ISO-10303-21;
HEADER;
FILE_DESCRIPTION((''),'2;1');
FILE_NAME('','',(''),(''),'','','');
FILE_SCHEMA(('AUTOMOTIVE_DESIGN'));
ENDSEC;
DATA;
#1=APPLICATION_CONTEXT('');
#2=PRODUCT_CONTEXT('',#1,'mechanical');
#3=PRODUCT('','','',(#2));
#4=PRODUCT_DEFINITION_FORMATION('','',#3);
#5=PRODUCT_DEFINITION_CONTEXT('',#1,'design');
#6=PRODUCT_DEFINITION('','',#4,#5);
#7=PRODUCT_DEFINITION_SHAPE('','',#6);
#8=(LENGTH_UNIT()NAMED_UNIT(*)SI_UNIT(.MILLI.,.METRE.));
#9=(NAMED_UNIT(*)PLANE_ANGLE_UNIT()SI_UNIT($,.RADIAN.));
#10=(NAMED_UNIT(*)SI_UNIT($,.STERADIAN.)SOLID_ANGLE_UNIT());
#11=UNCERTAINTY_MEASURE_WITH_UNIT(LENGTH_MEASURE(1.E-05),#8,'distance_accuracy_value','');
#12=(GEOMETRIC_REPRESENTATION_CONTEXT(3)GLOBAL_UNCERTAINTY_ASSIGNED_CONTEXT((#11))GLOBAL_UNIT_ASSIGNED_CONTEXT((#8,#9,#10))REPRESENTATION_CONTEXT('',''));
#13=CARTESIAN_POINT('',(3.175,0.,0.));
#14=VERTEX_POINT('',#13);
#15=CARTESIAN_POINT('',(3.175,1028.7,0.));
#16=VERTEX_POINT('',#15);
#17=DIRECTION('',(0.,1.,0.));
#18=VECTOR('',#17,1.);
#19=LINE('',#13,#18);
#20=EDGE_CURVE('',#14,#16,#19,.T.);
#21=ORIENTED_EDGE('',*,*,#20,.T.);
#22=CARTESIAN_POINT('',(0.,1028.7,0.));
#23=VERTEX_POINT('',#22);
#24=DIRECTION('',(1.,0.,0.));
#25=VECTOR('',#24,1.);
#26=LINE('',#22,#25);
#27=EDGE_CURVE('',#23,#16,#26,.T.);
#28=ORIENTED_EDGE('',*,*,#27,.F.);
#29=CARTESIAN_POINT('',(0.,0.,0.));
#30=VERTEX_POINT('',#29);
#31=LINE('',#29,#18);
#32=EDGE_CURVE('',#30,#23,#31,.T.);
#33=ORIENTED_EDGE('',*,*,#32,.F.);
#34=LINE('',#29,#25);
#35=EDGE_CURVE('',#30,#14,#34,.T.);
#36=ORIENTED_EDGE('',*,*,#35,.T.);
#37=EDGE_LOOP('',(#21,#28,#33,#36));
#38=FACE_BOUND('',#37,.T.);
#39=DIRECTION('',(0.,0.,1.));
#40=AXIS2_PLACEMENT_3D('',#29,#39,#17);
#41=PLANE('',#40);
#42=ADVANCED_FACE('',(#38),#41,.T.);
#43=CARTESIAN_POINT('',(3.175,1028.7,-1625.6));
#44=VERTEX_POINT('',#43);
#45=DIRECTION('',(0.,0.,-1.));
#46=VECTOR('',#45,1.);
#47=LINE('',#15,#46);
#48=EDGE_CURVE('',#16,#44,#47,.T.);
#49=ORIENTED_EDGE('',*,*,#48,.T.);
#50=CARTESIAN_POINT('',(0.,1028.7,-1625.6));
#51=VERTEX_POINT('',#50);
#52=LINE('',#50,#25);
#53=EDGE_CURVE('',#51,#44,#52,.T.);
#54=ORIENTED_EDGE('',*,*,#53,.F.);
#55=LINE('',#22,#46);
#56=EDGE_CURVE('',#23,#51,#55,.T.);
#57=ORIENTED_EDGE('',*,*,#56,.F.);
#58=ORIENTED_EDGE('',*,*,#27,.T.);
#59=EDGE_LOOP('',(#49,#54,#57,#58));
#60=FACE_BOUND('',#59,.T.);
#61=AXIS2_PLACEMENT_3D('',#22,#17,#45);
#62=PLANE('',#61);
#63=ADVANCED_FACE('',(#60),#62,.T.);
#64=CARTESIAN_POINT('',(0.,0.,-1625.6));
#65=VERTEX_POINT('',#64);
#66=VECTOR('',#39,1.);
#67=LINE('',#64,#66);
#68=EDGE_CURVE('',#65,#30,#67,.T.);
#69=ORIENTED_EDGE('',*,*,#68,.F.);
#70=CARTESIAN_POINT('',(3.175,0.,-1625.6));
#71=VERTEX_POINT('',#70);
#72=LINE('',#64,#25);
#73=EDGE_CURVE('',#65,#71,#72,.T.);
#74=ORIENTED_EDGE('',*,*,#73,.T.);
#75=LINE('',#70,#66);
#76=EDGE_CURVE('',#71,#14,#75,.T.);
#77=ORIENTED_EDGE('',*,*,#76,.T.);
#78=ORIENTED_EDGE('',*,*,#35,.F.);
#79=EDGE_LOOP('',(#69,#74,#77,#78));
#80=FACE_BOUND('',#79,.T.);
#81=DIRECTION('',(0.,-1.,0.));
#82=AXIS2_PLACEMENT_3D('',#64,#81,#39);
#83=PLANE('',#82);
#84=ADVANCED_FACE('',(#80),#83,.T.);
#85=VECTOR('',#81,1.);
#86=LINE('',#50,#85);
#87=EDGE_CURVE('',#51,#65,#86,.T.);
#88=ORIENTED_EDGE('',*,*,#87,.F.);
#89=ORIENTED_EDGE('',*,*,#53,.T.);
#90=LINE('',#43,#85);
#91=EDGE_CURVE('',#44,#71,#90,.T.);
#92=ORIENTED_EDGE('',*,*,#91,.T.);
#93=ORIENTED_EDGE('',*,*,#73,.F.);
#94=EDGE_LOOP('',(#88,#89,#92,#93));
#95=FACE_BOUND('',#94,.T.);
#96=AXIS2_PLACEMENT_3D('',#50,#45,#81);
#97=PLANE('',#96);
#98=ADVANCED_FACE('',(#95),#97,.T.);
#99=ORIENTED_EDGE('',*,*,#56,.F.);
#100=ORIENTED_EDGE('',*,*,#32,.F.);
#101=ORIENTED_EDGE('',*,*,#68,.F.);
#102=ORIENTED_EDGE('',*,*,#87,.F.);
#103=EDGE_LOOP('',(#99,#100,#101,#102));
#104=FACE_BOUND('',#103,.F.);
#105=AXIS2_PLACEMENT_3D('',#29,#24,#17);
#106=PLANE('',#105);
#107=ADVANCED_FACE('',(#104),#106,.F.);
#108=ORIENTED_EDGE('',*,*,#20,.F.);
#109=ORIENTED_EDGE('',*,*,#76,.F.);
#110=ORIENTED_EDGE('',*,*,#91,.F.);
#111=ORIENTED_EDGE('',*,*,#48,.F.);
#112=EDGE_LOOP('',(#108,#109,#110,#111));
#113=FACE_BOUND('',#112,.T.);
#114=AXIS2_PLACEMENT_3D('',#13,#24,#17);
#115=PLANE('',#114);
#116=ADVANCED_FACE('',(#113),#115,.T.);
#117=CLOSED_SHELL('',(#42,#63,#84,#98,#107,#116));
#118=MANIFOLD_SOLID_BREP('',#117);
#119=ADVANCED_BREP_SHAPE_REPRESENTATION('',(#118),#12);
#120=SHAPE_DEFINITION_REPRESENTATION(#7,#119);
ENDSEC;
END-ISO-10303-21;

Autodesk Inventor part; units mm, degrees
ref_plane "YZ Plane" through (0, 0, 0) normal (1, 0, 0) x (0, 1, 0)
ref_plane "XZ Plane" through (0, 0, 0) normal (0, 1, 0) x (-1, 0, 0)
ref_plane "XY Plane" through (0, 0, 0) normal (0, 0, 1) x (1, 0, 0)
sketch "Sketch1" plane through (0, 0, 0) normal (1, 0, 0) x (0, 1, 0)
  line L0 (0, 0) -> (1028.7, 0)
  line L1 (1028.7, 0) -> (1028.7, -1625.6)
  line L2 (1028.7, -1625.6) -> (0, -1625.6)
  line L3 (0, -1625.6) -> (0, 0)
  dimension "d2" = 1625.6
  dimension "d3" = 1028.7
extrude "Extrusion1" add sketch "Sketch1" along normal blind 3.175
properties part number "StationWindow-ver2-1111-2021"
